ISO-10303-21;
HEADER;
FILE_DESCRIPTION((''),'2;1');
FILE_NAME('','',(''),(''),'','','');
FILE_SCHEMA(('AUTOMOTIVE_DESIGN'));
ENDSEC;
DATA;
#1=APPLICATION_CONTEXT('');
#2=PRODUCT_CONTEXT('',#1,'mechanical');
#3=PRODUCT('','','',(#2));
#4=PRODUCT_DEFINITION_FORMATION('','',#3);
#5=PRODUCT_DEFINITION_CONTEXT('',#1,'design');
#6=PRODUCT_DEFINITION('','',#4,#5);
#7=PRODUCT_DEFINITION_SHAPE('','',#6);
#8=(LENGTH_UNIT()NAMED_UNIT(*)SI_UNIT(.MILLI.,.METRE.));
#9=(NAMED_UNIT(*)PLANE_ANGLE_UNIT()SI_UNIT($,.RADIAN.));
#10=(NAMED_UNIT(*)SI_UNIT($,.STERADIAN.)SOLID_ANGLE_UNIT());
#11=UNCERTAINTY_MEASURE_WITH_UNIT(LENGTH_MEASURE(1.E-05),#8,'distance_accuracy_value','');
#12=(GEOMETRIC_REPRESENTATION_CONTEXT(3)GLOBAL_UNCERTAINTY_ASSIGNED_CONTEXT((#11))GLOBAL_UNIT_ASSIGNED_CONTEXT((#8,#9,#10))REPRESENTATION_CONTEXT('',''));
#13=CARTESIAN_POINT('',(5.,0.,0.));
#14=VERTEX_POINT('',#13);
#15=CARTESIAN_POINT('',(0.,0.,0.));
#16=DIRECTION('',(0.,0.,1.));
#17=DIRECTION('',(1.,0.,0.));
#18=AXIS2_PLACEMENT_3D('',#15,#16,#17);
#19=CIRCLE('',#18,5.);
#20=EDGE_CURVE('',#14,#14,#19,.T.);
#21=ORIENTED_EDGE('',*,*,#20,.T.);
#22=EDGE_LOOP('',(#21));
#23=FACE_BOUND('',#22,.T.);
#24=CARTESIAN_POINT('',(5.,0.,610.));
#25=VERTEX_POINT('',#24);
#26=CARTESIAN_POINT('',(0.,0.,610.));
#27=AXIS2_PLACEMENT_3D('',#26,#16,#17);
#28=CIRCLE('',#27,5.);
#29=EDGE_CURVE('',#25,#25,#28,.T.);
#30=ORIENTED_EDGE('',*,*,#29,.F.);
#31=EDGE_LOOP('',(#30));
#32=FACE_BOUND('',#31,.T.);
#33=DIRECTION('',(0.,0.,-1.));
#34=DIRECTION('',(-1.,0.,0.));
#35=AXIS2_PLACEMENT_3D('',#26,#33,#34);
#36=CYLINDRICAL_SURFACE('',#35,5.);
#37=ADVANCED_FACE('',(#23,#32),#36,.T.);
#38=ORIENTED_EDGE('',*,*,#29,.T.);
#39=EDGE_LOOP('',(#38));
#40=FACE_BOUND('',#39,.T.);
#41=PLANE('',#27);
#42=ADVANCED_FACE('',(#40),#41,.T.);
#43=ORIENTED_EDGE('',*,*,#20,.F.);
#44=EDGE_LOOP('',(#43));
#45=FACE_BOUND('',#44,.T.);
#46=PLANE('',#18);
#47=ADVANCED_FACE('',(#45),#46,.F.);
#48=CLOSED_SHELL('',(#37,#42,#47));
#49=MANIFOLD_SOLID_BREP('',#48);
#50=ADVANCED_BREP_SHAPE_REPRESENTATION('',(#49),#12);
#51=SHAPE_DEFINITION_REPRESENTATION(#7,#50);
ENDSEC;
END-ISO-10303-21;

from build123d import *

# Parameters (mm, degrees)
ESQUISSE1_R        = 5
BOSS_EXTRU_1_DEPTH = 610


with BuildPart() as part:
    # Esquisse1 → Boss.-Extru.1 (new body)
    with BuildSketch(Plane.XY):
        Circle(ESQUISSE1_R)
    extrude(amount=BOSS_EXTRU_1_DEPTH)


solid = part.part
